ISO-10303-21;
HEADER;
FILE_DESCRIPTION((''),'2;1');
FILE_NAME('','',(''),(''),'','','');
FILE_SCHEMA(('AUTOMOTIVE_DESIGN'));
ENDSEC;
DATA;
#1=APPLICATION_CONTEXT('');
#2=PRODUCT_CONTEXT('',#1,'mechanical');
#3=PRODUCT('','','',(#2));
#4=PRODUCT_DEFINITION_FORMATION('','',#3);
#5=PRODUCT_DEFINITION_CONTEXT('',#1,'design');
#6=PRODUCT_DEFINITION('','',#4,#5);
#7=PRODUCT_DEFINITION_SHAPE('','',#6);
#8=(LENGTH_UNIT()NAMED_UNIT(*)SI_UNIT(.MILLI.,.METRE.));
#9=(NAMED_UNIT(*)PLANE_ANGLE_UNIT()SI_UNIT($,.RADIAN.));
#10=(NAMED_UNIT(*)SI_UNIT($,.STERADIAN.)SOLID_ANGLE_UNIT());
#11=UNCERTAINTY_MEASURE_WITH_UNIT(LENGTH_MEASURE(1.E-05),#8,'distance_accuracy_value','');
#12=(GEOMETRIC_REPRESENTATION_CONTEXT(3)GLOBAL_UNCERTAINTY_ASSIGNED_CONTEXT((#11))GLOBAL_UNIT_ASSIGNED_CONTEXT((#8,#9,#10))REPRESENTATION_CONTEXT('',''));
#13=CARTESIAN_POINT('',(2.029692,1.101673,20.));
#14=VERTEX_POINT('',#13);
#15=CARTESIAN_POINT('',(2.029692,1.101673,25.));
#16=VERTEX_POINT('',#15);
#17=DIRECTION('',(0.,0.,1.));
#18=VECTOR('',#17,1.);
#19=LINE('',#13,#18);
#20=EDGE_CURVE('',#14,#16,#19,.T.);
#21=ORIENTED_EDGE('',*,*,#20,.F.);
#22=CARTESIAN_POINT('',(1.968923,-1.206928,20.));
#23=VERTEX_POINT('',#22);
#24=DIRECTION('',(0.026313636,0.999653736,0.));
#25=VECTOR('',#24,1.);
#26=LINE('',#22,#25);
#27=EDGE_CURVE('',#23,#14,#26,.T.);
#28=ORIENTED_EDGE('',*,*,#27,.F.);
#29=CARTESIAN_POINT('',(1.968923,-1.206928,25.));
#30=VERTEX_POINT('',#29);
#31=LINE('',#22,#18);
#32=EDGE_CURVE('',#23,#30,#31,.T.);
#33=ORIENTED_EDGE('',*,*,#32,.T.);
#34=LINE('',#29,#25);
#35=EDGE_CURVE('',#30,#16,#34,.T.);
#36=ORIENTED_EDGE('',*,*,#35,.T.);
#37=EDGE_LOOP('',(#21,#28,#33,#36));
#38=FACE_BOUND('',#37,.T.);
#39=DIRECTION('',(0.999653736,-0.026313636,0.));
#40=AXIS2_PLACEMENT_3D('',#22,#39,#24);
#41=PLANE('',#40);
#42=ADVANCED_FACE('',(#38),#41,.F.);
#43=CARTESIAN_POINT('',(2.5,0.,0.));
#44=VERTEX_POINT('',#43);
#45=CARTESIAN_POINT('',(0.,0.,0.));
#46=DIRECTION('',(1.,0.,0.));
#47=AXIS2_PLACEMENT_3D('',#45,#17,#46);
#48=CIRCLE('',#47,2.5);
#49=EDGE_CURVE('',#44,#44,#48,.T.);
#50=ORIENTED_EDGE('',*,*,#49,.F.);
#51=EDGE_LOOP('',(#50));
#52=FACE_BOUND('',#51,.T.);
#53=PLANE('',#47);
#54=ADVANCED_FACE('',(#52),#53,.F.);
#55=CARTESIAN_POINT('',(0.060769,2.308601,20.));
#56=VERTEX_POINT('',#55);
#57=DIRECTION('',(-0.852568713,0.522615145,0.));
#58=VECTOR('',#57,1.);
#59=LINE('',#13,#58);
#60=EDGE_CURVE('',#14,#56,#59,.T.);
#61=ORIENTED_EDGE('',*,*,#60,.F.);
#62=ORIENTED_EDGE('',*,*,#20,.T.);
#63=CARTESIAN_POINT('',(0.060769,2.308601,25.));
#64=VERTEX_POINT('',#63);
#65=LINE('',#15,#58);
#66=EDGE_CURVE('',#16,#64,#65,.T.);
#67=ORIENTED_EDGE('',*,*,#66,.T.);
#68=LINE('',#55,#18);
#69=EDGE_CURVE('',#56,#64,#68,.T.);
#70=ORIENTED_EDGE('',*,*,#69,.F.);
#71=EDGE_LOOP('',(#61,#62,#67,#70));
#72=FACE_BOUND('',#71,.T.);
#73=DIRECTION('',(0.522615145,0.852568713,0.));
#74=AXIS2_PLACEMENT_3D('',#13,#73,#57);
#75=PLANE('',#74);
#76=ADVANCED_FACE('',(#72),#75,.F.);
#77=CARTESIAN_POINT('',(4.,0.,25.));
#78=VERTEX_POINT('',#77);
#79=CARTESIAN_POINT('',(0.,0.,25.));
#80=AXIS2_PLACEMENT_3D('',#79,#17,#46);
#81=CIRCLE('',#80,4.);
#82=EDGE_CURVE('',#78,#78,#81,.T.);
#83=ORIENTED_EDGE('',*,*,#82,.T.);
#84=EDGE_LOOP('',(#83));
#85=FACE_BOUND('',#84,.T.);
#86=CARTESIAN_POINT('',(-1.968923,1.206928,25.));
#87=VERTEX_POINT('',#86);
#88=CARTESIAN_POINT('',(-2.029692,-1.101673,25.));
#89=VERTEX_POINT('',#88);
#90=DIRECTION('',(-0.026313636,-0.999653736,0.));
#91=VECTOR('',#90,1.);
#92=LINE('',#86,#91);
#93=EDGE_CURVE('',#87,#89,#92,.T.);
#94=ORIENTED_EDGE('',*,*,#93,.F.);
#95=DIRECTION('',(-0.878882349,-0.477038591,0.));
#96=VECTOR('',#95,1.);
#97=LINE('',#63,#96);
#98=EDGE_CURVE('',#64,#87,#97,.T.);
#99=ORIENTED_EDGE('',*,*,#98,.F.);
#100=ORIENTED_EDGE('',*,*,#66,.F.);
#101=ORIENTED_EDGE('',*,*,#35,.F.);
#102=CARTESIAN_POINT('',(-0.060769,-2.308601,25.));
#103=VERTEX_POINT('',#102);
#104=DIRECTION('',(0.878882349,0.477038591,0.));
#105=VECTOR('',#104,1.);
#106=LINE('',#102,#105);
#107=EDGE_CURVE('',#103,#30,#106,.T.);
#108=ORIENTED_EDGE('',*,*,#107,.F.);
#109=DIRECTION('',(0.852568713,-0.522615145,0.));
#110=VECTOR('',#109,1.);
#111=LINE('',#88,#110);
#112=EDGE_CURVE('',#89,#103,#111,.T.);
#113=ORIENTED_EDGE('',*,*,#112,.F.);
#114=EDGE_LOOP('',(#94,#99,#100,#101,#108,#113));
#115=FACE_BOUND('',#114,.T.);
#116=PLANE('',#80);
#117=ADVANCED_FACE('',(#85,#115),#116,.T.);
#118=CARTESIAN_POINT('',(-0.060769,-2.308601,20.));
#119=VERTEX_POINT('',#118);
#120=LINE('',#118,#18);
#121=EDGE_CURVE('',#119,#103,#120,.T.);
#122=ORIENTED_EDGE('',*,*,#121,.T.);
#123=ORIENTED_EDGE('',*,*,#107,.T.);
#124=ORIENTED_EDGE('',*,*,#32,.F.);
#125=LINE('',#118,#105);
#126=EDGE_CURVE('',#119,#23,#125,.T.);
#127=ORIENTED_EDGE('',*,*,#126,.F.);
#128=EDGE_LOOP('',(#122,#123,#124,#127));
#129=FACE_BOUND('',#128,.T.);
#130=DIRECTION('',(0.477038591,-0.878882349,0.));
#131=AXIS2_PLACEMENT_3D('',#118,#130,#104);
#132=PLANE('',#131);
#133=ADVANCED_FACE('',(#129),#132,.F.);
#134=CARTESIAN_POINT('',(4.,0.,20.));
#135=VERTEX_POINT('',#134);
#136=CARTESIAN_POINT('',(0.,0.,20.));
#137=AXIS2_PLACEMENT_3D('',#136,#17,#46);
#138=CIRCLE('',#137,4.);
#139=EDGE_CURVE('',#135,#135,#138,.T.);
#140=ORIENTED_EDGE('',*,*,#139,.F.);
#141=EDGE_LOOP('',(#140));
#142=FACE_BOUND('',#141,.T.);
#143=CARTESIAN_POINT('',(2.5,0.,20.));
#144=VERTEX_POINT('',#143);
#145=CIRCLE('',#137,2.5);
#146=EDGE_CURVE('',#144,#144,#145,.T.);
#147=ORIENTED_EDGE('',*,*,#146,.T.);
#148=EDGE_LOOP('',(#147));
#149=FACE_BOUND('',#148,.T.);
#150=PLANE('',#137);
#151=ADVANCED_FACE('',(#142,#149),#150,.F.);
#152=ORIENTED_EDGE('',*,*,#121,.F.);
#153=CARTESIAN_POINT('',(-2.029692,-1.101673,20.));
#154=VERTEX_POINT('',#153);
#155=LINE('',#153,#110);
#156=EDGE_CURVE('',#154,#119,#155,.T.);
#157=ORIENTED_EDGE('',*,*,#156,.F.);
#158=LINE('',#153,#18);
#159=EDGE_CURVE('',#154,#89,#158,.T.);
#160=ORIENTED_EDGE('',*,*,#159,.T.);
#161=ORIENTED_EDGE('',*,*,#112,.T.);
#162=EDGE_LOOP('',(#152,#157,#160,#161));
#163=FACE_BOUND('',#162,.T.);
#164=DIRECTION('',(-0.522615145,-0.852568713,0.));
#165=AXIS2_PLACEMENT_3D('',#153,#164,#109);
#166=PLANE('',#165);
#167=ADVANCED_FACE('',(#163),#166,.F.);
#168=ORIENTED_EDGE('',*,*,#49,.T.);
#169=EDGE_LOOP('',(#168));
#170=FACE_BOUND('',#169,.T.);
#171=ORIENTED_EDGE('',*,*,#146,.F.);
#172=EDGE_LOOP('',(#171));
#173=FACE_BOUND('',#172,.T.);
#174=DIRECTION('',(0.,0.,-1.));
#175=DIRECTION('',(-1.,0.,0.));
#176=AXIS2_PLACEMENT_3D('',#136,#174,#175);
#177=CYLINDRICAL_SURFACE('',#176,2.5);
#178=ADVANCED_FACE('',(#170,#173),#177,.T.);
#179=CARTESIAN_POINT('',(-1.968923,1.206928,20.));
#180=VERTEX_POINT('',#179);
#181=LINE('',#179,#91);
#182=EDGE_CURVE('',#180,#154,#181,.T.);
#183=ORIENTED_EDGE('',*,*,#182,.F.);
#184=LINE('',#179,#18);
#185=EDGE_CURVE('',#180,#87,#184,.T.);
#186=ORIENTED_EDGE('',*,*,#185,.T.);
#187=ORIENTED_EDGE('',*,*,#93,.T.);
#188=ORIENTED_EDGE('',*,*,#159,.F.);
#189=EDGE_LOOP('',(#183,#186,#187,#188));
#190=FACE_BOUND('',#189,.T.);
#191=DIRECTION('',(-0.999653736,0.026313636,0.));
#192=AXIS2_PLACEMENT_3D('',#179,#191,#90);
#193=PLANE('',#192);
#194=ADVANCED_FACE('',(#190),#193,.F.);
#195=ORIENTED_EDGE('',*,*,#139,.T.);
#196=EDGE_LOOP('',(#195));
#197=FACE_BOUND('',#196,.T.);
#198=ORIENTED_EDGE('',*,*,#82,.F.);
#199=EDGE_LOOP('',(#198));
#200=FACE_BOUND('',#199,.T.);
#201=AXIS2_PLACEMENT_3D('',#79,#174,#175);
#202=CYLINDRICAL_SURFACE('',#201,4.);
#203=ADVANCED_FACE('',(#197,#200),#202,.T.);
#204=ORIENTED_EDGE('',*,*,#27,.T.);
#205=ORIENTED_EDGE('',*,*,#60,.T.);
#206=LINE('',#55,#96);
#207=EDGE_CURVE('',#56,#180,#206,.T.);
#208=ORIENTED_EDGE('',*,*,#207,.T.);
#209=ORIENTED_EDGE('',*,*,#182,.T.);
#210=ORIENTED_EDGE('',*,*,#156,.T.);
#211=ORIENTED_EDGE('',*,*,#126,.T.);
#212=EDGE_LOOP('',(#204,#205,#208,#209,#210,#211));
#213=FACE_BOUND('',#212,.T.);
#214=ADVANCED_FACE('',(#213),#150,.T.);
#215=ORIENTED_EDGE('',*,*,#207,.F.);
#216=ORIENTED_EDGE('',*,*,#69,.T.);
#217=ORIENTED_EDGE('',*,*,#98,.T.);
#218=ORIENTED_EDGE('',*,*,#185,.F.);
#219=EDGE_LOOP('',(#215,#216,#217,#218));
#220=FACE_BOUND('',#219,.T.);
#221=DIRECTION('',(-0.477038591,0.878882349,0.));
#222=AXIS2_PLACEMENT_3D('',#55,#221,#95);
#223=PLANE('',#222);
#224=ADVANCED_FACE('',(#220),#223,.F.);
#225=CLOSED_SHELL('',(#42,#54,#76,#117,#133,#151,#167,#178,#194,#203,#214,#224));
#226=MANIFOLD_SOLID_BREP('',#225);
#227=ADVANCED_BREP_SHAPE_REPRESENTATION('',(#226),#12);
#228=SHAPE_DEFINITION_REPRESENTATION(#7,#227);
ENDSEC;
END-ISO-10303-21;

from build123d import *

# Parameters (mm, degrees)
SKETCH_1_R          = 2.5
EXTRUDE_1_DEPTH     = 20
SKETCH_2_R          = 4
EXTRUDE_2_DEPTH     = 5
CUT_EXTRUDE_1_DEPTH = 5


with BuildPart() as part:
    # 草图1 → 凸台-拉伸1 (new body)
    with BuildSketch(Plane.XY):
        Circle(SKETCH_1_R)
    extrude(amount=EXTRUDE_1_DEPTH)

    # 草图2 → 凸台-拉伸2 (add)
    with BuildSketch(Plane.XY.offset(20)):
        Circle(SKETCH_2_R)
    extrude(amount=EXTRUDE_2_DEPTH)

    # 草图3 → 切除-拉伸1 (cut)
    with BuildSketch(Plane.XY.offset(25)):
        Polygon((1.968923103, -1.20692798), (2.029691842, 1.101673436), (0.060768739, 2.308601415), (-1.968923103, 1.20692798), (-2.029691842, -1.101673436), (-0.060768739, -2.308601415), align=None)
    extrude(amount=-CUT_EXTRUDE_1_DEPTH, mode=Mode.SUBTRACT)


solid = part.part
